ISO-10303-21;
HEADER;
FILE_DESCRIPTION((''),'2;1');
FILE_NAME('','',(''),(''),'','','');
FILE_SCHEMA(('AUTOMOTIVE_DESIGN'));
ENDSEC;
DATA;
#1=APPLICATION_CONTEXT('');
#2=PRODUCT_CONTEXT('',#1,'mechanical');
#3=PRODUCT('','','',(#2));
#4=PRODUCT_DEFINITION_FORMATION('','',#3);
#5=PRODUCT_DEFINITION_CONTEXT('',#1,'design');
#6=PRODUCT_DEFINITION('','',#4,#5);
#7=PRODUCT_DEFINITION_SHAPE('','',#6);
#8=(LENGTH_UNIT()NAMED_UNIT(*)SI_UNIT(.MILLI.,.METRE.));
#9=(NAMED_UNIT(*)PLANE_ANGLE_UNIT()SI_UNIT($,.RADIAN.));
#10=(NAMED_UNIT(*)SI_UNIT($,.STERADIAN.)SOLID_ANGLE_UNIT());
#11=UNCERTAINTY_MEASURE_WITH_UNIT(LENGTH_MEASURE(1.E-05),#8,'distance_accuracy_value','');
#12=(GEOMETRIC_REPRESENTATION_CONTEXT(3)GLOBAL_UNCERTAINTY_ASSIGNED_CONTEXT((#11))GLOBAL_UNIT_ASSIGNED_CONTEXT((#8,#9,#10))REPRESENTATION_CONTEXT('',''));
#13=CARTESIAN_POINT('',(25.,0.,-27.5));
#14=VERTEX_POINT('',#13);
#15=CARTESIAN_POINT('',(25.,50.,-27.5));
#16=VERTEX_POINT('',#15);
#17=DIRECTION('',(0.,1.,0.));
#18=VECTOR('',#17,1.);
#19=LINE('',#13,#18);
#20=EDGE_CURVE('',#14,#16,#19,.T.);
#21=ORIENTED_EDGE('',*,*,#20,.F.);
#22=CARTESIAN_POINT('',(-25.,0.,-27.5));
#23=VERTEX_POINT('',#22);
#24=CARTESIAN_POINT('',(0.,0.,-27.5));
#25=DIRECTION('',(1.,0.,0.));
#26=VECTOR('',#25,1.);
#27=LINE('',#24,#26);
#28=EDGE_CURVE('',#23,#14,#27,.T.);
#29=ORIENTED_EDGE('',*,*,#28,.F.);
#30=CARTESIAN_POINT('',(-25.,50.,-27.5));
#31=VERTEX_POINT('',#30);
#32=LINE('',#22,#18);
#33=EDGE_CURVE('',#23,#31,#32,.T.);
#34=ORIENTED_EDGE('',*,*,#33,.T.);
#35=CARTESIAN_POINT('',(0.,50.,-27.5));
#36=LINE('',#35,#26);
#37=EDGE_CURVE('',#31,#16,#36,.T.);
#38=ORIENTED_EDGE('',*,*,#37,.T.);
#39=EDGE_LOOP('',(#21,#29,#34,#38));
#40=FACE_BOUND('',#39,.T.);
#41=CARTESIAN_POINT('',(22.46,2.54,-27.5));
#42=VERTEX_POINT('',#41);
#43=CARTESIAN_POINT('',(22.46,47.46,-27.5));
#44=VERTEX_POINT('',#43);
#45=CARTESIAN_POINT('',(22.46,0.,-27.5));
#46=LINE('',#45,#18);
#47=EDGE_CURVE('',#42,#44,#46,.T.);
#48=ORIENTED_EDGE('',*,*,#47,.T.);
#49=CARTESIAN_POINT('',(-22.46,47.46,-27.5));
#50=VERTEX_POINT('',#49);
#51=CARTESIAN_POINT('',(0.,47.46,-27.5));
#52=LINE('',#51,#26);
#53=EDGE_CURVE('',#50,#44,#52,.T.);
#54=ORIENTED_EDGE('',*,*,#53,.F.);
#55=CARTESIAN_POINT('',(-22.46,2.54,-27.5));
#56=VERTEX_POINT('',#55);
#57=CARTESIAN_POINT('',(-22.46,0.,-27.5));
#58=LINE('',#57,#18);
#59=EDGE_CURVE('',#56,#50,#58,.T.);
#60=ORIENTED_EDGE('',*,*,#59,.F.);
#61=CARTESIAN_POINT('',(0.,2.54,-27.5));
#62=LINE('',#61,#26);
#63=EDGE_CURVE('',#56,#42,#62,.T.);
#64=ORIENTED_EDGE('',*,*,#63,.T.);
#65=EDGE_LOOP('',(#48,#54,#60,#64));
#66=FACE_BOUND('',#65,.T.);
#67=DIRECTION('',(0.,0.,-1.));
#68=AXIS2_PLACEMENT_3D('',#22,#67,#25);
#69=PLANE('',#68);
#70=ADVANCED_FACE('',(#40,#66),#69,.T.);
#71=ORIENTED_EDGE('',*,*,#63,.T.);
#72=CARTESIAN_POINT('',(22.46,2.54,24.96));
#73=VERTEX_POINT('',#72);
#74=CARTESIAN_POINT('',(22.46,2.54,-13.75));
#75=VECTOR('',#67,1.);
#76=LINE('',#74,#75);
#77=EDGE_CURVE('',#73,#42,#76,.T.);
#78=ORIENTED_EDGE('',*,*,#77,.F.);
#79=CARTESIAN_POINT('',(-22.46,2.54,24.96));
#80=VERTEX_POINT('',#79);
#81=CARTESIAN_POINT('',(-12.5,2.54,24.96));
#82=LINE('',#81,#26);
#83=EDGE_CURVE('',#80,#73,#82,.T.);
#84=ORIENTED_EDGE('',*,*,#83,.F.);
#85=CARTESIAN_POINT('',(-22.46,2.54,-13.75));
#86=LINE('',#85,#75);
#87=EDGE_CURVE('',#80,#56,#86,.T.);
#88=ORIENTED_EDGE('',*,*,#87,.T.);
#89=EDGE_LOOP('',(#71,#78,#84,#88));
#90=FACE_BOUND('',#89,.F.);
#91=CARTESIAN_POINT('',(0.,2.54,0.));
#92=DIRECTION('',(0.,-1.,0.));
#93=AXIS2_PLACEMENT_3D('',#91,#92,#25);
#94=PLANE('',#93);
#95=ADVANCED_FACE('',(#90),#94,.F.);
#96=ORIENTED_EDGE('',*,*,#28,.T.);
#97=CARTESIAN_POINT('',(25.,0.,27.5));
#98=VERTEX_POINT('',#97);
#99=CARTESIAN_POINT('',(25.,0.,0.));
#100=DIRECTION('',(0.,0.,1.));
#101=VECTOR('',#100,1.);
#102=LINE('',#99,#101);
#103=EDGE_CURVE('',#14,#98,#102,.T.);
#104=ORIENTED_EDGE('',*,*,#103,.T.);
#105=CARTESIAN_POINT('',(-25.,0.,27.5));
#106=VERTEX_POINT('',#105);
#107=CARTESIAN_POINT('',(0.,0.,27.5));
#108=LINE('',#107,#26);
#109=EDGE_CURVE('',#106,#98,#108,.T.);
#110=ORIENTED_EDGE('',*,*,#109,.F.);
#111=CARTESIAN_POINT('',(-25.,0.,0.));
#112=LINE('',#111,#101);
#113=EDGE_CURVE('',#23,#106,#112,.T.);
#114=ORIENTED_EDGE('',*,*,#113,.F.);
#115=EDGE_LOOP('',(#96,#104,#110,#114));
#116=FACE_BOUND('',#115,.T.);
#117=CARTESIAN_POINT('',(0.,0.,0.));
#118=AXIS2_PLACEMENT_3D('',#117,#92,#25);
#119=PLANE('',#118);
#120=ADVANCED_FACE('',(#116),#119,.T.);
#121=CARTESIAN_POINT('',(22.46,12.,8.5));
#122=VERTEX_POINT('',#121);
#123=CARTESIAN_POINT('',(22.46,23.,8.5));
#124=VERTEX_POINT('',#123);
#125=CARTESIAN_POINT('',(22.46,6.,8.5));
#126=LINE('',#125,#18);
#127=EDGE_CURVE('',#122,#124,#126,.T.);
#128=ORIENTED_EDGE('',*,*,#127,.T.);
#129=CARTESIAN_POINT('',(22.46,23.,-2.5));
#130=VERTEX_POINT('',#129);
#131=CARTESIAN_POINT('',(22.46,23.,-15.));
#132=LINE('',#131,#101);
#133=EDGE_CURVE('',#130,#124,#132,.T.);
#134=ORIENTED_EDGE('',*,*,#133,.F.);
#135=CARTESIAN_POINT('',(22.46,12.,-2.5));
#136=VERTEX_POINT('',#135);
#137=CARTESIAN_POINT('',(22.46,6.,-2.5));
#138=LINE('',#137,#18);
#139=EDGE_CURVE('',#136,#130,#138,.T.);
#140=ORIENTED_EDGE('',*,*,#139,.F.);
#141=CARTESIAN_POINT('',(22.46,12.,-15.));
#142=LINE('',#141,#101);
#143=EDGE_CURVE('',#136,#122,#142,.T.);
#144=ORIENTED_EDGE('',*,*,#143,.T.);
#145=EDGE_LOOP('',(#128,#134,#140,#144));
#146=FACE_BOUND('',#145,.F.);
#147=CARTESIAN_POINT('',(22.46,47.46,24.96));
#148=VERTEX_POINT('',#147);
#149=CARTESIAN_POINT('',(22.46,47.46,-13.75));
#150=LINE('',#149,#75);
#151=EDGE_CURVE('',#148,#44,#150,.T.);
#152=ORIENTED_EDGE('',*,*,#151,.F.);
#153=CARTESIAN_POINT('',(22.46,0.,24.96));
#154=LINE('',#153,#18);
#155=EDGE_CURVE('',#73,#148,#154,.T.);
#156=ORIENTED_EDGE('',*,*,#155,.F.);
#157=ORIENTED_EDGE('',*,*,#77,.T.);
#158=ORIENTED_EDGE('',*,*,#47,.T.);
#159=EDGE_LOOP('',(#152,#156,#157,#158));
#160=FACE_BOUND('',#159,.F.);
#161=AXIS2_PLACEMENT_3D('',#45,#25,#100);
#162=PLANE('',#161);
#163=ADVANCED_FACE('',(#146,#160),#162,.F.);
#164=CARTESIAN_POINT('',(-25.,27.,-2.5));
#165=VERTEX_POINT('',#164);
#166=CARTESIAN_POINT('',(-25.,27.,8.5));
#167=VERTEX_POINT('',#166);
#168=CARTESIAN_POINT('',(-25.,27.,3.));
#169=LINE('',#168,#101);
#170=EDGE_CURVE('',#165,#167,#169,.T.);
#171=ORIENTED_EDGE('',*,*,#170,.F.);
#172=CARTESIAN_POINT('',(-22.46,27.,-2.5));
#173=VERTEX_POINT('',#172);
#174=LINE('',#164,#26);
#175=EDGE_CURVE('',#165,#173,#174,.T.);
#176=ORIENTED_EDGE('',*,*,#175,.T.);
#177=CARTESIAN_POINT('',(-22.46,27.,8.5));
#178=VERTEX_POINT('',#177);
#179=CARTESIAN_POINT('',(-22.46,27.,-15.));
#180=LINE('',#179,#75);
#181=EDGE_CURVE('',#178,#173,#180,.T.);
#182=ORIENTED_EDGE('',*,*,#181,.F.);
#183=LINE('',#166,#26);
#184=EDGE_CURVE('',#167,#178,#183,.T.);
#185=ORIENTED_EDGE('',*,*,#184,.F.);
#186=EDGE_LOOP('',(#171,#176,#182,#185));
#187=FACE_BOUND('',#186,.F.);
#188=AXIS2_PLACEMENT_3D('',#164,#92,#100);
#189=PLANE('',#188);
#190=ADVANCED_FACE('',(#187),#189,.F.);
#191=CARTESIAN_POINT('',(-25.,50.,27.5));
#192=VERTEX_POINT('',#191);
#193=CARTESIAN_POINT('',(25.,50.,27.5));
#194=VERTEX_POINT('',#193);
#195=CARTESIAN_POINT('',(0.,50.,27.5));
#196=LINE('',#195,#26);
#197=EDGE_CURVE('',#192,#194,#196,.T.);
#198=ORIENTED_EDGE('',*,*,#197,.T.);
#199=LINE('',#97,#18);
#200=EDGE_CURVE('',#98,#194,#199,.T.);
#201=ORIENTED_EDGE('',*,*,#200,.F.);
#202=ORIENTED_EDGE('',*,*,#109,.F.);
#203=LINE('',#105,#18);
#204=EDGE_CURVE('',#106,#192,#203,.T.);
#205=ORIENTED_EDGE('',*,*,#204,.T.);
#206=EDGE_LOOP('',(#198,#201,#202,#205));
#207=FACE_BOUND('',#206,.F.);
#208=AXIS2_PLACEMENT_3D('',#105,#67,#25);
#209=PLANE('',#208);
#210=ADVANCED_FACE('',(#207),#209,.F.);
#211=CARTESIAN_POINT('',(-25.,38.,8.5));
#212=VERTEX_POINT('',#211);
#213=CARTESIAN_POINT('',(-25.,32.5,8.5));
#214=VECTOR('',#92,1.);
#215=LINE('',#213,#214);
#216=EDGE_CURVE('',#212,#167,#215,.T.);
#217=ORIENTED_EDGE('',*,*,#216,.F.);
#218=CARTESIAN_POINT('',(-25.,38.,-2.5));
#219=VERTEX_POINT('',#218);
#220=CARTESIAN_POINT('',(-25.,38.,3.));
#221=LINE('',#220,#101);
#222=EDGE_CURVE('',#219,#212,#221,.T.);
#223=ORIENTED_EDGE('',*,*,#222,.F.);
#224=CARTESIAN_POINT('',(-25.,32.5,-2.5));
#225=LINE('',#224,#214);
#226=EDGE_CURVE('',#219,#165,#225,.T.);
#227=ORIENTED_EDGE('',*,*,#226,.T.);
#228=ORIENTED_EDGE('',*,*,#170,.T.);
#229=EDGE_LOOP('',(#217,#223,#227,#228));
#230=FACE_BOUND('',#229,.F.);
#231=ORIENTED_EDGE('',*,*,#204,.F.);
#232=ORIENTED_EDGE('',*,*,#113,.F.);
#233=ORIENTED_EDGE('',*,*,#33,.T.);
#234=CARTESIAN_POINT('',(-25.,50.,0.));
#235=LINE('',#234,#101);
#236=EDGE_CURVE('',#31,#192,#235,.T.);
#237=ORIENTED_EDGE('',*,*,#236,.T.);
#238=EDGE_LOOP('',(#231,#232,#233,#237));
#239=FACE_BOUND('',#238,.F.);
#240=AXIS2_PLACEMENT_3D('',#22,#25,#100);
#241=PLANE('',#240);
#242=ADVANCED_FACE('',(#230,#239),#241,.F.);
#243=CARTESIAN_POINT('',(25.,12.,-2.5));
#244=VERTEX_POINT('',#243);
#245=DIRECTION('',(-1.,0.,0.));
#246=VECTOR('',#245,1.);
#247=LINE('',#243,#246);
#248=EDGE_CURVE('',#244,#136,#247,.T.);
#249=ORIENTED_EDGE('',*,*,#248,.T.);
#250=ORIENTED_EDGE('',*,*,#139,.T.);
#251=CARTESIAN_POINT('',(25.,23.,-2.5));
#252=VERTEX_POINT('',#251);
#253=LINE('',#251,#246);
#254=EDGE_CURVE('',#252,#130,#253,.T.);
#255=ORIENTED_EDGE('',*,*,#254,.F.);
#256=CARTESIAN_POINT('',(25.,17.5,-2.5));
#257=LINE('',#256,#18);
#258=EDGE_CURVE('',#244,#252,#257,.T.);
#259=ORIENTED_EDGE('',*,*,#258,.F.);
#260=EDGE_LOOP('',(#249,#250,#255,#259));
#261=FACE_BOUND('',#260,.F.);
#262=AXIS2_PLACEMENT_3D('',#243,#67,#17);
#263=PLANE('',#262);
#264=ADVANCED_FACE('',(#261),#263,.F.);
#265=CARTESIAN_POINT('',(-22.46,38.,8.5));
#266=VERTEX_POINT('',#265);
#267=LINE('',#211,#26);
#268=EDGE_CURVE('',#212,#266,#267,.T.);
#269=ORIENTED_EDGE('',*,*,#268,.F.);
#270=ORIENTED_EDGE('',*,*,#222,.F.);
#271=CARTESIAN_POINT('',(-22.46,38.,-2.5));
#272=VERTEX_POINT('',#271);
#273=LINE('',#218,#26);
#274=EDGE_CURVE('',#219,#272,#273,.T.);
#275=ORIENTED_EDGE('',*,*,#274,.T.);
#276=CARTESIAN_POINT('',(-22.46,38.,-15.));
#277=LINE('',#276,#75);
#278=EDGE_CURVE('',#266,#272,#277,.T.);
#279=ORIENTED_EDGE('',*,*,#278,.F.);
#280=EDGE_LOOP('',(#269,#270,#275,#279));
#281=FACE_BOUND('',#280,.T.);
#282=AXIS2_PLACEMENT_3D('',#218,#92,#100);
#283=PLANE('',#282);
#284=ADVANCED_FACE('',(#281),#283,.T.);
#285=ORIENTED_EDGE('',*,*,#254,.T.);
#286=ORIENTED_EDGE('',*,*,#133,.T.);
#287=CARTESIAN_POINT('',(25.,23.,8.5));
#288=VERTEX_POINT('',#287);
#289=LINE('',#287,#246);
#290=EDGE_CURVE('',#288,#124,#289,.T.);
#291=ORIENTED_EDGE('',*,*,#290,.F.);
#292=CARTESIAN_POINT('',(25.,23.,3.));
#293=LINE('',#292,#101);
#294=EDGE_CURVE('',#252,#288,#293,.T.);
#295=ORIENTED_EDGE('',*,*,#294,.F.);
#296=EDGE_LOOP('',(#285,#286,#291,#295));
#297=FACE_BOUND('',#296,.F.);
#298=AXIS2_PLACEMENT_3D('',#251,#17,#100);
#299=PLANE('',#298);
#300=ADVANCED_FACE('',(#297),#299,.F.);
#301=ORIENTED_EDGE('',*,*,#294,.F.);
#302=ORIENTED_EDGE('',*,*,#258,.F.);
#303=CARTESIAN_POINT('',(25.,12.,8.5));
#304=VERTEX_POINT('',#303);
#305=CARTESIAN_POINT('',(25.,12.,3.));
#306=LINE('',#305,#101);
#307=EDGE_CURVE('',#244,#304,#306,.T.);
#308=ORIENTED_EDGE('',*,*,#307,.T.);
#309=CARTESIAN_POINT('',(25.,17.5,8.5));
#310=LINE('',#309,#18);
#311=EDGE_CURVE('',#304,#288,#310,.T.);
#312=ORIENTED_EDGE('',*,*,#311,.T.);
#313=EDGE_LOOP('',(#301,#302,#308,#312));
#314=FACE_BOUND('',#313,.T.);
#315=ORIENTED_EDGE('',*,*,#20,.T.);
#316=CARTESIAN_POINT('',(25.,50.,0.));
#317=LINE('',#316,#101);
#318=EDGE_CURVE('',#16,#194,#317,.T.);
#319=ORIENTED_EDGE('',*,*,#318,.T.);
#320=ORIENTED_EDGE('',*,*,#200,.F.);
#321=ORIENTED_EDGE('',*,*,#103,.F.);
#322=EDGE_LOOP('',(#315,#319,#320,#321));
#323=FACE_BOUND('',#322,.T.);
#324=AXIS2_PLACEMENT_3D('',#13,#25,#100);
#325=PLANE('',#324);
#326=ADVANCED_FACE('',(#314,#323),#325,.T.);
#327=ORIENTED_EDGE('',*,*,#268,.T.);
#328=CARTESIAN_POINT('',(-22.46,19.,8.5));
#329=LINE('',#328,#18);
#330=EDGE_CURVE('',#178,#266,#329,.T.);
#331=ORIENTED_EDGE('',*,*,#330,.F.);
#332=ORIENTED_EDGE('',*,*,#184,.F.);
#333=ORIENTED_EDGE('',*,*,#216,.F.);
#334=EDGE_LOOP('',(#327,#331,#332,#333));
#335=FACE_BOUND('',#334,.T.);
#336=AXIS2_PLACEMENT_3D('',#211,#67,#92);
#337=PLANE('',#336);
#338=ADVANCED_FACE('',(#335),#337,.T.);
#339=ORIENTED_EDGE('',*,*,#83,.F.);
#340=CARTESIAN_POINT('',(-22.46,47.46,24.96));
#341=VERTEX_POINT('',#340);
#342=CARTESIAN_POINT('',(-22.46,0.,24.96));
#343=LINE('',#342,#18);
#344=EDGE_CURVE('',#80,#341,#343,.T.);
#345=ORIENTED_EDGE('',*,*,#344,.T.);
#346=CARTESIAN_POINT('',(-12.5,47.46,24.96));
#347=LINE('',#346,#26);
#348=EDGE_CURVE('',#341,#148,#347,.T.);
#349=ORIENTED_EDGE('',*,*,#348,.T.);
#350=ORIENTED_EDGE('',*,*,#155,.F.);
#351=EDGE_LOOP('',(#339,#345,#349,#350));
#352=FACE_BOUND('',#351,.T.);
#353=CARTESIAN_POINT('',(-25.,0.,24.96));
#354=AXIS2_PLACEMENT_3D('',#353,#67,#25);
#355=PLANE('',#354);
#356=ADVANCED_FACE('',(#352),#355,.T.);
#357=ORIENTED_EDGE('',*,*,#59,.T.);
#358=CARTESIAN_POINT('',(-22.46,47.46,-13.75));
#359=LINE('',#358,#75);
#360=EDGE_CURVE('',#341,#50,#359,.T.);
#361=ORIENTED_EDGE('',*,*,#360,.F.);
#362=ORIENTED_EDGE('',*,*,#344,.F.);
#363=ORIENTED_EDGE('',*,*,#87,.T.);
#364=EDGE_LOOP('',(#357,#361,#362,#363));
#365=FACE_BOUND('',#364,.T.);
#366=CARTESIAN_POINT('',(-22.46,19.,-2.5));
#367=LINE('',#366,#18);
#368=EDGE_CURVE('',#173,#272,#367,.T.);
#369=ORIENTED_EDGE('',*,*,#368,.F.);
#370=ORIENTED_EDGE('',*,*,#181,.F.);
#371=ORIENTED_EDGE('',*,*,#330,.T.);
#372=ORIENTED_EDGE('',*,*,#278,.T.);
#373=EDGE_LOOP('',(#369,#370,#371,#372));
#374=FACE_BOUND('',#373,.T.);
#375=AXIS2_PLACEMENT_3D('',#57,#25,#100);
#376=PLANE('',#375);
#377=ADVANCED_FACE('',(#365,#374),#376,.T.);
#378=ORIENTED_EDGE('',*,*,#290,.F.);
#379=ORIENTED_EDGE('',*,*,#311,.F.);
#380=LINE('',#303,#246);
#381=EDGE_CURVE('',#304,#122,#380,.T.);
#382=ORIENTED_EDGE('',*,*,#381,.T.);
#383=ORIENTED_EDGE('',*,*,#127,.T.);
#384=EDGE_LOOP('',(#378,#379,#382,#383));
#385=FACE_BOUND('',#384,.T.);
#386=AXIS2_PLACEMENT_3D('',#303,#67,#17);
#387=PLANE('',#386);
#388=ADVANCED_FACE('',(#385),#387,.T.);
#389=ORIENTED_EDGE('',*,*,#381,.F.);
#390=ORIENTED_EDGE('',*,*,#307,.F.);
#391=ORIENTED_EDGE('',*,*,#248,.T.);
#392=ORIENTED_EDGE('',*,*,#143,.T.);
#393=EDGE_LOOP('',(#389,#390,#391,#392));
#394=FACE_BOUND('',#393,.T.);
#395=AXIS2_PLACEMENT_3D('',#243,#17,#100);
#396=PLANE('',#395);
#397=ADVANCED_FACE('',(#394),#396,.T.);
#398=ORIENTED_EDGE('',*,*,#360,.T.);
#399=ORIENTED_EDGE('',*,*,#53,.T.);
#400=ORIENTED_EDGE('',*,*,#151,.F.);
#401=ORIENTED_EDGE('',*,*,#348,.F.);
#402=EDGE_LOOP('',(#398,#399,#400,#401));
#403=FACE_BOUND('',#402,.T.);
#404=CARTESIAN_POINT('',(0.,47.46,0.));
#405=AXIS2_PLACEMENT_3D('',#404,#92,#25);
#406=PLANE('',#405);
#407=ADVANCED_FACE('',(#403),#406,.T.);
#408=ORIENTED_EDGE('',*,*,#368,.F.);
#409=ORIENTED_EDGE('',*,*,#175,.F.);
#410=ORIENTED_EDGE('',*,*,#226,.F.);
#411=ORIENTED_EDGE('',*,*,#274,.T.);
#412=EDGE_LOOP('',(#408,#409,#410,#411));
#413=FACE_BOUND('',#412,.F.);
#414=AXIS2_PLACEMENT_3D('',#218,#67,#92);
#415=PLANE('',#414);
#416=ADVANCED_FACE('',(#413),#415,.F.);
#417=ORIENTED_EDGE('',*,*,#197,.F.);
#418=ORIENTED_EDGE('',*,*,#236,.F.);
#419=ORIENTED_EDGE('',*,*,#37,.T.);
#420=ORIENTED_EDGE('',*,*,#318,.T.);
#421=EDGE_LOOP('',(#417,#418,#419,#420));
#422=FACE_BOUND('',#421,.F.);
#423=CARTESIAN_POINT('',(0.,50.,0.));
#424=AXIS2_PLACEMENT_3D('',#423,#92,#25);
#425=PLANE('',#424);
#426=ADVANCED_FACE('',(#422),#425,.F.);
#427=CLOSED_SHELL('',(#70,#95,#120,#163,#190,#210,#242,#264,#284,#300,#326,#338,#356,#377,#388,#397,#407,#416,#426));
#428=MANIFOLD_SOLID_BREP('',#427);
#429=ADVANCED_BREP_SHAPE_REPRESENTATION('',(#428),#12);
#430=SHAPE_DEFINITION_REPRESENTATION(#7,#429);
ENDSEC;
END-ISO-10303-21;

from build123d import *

# Parameters (mm, degrees)
F0_W     = 50
F0_H     = 55
F1_DEPTH = 50
F2_T     = -2.54
F3_W     = 11
F3_H     = 11
F4_DEPTH = 10
F5_W     = 11
F5_H     = 11
F6_DEPTH = 10


with BuildPart() as f1:
    # F0 (on Front) → F1 (new body)
    with BuildSketch(Plane.XZ):
        Rectangle(F0_W, F0_H)
    extrude(amount=-F1_DEPTH)

    # F2
    f2_openings = [f1.faces().sort_by_distance(p)[0] for p in [
        (0, 25, -27.5),
    ]]
    offset(amount=F2_T, openings=f2_openings)

    # F3 (on face) → F4 (cut)
    with BuildSketch(Plane(origin=(-25, 0, 0), x_dir=(0, -1, 0), z_dir=(-1, 0, 0))):
        with Locations((-32.5, 3)):
            Rectangle(F3_W, F3_H)
    extrude(amount=-F4_DEPTH, mode=Mode.SUBTRACT)

    # F5 (on face) → F6 (cut)
    with BuildSketch(Plane.YZ.offset(25)):
        with Locations((17.5, 3)):
            Rectangle(F5_W, F5_H)
    extrude(amount=-F6_DEPTH, mode=Mode.SUBTRACT)


solid = f1.part
